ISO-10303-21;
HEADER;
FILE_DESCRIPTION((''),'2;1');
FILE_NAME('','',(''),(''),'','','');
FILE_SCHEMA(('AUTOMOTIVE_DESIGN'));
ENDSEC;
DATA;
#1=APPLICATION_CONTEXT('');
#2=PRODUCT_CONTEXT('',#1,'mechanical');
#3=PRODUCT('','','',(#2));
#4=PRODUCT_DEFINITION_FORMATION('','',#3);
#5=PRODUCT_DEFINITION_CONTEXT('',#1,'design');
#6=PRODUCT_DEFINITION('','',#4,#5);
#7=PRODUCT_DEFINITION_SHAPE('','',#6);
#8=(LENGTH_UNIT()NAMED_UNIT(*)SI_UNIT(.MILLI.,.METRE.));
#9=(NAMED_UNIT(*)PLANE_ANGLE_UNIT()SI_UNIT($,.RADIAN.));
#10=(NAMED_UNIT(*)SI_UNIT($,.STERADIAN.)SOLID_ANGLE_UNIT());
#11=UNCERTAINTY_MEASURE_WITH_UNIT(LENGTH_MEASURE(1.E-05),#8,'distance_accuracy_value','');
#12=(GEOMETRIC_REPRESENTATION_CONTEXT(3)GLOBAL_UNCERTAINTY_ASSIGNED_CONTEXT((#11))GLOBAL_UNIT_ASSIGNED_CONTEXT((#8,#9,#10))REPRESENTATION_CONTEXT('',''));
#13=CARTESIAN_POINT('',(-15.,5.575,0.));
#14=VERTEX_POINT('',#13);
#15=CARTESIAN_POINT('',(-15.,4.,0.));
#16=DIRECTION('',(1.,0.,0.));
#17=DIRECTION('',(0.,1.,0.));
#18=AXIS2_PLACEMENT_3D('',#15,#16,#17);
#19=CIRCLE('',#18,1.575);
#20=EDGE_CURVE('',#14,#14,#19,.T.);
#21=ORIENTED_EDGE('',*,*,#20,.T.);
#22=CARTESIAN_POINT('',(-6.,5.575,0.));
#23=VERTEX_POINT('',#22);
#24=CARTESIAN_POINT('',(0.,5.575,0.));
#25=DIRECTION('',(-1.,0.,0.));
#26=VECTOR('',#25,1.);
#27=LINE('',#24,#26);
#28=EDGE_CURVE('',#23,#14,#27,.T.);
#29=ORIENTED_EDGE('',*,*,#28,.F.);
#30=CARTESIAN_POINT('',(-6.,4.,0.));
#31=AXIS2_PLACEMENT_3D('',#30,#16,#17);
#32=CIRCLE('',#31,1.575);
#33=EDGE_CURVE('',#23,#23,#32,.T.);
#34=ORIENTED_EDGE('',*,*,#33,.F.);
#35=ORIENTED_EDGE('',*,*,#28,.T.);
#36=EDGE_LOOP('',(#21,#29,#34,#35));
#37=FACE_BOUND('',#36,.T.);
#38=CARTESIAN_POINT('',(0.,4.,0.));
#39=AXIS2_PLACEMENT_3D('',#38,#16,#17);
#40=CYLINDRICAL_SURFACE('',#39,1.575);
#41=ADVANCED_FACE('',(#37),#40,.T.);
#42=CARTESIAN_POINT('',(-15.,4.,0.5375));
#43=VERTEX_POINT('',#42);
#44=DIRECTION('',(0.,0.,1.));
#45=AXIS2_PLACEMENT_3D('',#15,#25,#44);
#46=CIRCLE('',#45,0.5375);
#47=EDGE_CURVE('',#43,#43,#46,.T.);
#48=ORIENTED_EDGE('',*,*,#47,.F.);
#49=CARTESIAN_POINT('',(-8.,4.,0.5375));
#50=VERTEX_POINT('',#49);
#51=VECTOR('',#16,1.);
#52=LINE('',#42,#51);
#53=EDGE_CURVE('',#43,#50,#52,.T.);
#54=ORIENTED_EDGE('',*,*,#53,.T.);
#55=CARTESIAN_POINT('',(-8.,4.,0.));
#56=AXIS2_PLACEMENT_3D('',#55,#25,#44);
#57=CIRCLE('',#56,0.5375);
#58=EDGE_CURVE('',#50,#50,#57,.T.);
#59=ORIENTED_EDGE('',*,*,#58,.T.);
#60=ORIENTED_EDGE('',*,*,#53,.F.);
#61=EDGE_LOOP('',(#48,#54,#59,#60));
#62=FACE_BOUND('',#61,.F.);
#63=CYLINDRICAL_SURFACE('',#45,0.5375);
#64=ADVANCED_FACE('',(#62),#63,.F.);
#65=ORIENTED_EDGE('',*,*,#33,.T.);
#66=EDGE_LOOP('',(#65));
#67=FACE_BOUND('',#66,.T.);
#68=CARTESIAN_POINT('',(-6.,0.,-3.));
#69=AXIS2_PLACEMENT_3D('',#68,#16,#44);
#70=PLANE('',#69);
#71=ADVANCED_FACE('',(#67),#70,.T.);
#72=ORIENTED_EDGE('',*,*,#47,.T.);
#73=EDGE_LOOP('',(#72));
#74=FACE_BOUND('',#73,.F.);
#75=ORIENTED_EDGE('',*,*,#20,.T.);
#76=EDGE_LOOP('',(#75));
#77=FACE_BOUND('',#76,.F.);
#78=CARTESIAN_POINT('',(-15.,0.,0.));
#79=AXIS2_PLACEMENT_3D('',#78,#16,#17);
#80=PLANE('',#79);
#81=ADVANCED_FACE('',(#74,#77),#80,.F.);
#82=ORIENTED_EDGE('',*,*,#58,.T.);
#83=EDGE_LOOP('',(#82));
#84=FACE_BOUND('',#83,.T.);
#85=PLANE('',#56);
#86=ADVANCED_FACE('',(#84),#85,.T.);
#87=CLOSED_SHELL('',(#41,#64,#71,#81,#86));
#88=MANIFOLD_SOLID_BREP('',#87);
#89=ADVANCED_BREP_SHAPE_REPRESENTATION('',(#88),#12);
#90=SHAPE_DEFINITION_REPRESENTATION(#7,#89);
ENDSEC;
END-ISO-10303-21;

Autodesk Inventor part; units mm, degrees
ref_plane "YZ Plane" through (0, 0, 0) normal (1, 0, 0) x (0, 1, 0)
ref_plane "XZ Plane" through (0, 0, 0) normal (0, 1, 0) x (-1, 0, 0)
ref_plane "XY Plane" through (0, 0, 0) normal (0, 0, 1) x (1, 0, 0)
sketch "Sketch1" plane through (0, 0, 0) normal (0, 1, 0) x (-1, 0, 0)
  arc A0 (0, -5) -> (0, 5) centre (0, 0) ccw
  line L0 (0, 5) -> (0, -5)
  dimension "d0" = 10
extrude "Extrusion1" add sketch "Sketch1" along normal blind 10
sketch "Sketch2" plane through (0, 0, 0) normal (1, 0, 0) x (0, 1, 0)
  line L0 (8.0172, -4.5) -> (8.0172, 4.5)
  line L1 (8.0172, 4.5) -> (2.5172, 4.5)
  line L2 (2.5172, -4.5) -> (0.0172, -2)
  line L3 (2.5172, 4.5) -> (0.0172, 2)
  line L4 (0.0172, -2) -> (0.0172, 2)
  line L5 (8.0172, -4.5) -> (2.5172, -4.5)
  point P0 (0, 0)
  dimension "d3" = 9
  dimension "d4" = 8
sketch "Sketch3" plane through (0, 0, 0) normal (1, 0, 0) x (0, 1, 0)
  line L0 (0, 2) -> (3, 5)
  arc A0 (3, 5) -> (0, 2) centre (1, 4) ccw
  line L1 (0, -2) -> (4, -6)
  arc A1 (0, -2) -> (4, -6) centre (1.75, -4.25) ccw
  line L2 (8.0325, 5) -> (11, 5)
  line L3 (11, 5) -> (11, -6)
  line L4 (11, -6) -> (8.0325, -6)
  line L5 (8.0325, -6) -> (8.0325, 5)
  line L6 (2.4911, 4.4911) -> (5, 7)
  line L7 (2.4911, 4.4911) -> (8.0325, 4.4911)
  arc A2 (8.0325, 4.4911) -> (5, 7) centre (7, 6.3303) ccw
  line L8 (2.4911, -4.4911) -> (8.5706, -4.4911)
  arc A3 (2.4911, -4.4911) -> (8.5706, -4.4911) centre (5.5309, -7.5041) ccw
  point P0 (0, 0)
extrude "Extrusion2" cut sketch "Sketch3" against normal through all
sketch "Sketch4" plane through (0, 0, 0) normal (0, 1, 0) x (-1, 0, 0)
  arc A0 (1.0726, -4.4911) -> (1.0726, 4.4911) centre (-1.125, 0) ccw
  arc A1 (1.0726, 4.4911) -> (1.0726, -4.4911) centre (-0.4517, 0) ccw
  point P0 (0, 0)
  point P1 (2.1976, -4.4911)
  point P2 (2.1976, 4.4911)
  dimension "d9" = 1.125
  dimension "d10" = 1.125
extrude "Extrusion3" cut sketch "Sketch4" along normal through all both and the other way through all
sketch "Sketch5" plane through (0, 0, 0) normal (1, 0, 0) x (0, 1, 0)
  line L0 (1.6, -1.2445) -> (1.6, 1.1555)
  line L1 (6.4325, 2.6911) -> (3.1125, 2.6911)
  line L2 (6.4325, -2.6911) -> (6.4325, 2.6911)
  line L3 (6.4325, -2.6911) -> (3.1125, -2.6911)
  line L4 (0, 2) -> (0, -2) projected
  line L5 (8.0325, 4.4911) -> (8.0325, -4.4911) projected
  line L6 (0, 2) -> (2.4911, 4.4911) projected
  line L7 (2.4911, 4.4911) -> (8.0325, 4.4911) projected
  line L8 (8.0325, 4.4911) -> (8.0325, -4.4911) projected
  line L9 (8.0325, -4.4911) -> (2.4911, -4.4911) projected
  line L10 (2.4911, -4.4911) -> (0, -2) projected
  line L11 (0, 2) -> (0, -2) projected
  line L12 (1.6, 1.1555) -> (3.1125, 2.6911)
  line L13 (1.6, -1.2445) -> (3.1125, -2.6911)
  line L14 (1.6, 4.6579) -> (1.6, -5.3823)
  arc A0 (1.6, 4.6579) -> (1.6, -5.3823) centre (3.2437, -0.3622) ccw
  line L15 (1.6, 1.1555) -> (5.4757, 5.0906)
  line L16 (1.6, 1.1555) -> (1.6, 7.5999)
  arc A1 (5.4757, 5.0906) -> (1.6, 7.5999) centre (3.8837, 6.8794) ccw
  line L17 (3.1125, 2.6911) -> (12.4034, 2.6911)
  line L18 (3.1125, 2.6911) -> (8.5318, 8.1936)
  arc A2 (12.4034, 2.6911) -> (8.5318, 8.1936) centre (8.3272, 3.9364) ccw
  line L19 (6.4325, 2.6911) -> (13.6333, 2.6911)
  line L20 (6.4325, 2.6911) -> (6.4325, -9.3636)
  arc A3 (6.4325, -9.3636) -> (13.6333, 2.6911) centre (6.37, -1.1482) ccw
  line L21 (6.4325, -2.6911) -> (6.4325, -11.5775)
  line L22 (6.4325, -2.6911) -> (3.1125, -2.6911)
  line L23 (3.1125, -2.6911) -> (3.2437, -12.8567)
  arc A4 (3.2437, -12.8567) -> (6.4325, -9.3636) centre (5.6123, -11.8169) ccw
  line L24 (1.6, -1.2445) -> (1.6, -8.2222)
  line L25 (1.6, -1.2445) -> (3.1125, -2.6911)
  line L26 (3.1125, -2.6911) -> (3.1946, -9.0574)
  arc A5 (1.6, -8.2222) -> (3.1946, -9.0574) centre (2.6381, -8.1801) ccw
  point P0 (0, 0)
  dimension "d16" = 1.6
  dimension "d18" = 1.6
  dimension "d21" = 1.8
  dimension "d23" = 1.8
  dimension "d24" = 2.4
  dimension "d26" = 3.32
  dimension "d27" = 3.32
extrude "Extrusion4" cut sketch "Sketch5" against normal through all contours L14 L10 L4 L6 L0 | L13 L23 L9 L10 L14 | L14 L6 L7 L15 L12 | L3 L20 L9 L23 | L14 A0 L6 L4 L10 | L10 L9 L23 A5 L24 L14 | L15 L7 L5 L17 L1 | L14 L16 A1 L15 L7 L6 | L2 L17 L5 L9 L20 | L9 L20 A4 L23 | L15 L18 A2 L17 L5 L7 | L9 L5 L17 L19 A3 L20
sketch "Sketch6" plane through (0, 0, 0) normal (1, 0, 0) x (0, 1, 0)
  circle A0 centre (4, 0) radius 1.575
  line L0 (1.6, -1.2445) -> (1.6, 1.1555) projected
  point P0 (0, 0)
  dimension "d31" = 3.15
  dimension "d32" = 2.4
extrude "Extrusion5" add sketch "Sketch6" against normal blind 15
sketch "Sketch7" plane through (0, 0, 0) normal (0, 1, 0) x (-1, 0, 0)
  arc A0 (3.089, -2.6911) -> (3.7176, -1.2445) centre (-1.125, 0) ccw projected
  arc A1 (3.7397, 1.1555) -> (3.089, 2.6911) centre (-1.125, 0) ccw projected
  arc A2 (3.7176, -1.2445) -> (3.7397, 1.1555) centre (-1.125, 0) ccw
  arc A3 (3.089, 2.6911) -> (3.089, -2.6911) centre (1.8078, 0) ccw
  point P0 (0, 0)
extrude "Extrusion6" cut sketch "Sketch7" along normal through all
sketch "Sketch8" plane through (-15, 4, 0) normal (-1, 0, 0) x (0, 0, 1)
  circle A0 centre (0, 0) radius 0.5375
  point P0 (0, -4)
  dimension "d37" = 1.075
extrude "Extrusion7" cut sketch "Sketch8" against normal blind 7
sketch "Sketch9" plane through (0, 0, 0) normal (0, 1, 0) x (-1, 0, 0)
  line L0 (6, 3) -> (2, 3)
  line L1 (2, 3) -> (2, -3)
  line L2 (2, -3) -> (6, -3)
  line L3 (6, -3) -> (6, 3)
  point P0 (0, 0)
extrude "Extrusion8" cut sketch "Sketch9" along normal through all both and the other way through all
properties part number "flat_cranial_window_stabilizer_Apr0119"
